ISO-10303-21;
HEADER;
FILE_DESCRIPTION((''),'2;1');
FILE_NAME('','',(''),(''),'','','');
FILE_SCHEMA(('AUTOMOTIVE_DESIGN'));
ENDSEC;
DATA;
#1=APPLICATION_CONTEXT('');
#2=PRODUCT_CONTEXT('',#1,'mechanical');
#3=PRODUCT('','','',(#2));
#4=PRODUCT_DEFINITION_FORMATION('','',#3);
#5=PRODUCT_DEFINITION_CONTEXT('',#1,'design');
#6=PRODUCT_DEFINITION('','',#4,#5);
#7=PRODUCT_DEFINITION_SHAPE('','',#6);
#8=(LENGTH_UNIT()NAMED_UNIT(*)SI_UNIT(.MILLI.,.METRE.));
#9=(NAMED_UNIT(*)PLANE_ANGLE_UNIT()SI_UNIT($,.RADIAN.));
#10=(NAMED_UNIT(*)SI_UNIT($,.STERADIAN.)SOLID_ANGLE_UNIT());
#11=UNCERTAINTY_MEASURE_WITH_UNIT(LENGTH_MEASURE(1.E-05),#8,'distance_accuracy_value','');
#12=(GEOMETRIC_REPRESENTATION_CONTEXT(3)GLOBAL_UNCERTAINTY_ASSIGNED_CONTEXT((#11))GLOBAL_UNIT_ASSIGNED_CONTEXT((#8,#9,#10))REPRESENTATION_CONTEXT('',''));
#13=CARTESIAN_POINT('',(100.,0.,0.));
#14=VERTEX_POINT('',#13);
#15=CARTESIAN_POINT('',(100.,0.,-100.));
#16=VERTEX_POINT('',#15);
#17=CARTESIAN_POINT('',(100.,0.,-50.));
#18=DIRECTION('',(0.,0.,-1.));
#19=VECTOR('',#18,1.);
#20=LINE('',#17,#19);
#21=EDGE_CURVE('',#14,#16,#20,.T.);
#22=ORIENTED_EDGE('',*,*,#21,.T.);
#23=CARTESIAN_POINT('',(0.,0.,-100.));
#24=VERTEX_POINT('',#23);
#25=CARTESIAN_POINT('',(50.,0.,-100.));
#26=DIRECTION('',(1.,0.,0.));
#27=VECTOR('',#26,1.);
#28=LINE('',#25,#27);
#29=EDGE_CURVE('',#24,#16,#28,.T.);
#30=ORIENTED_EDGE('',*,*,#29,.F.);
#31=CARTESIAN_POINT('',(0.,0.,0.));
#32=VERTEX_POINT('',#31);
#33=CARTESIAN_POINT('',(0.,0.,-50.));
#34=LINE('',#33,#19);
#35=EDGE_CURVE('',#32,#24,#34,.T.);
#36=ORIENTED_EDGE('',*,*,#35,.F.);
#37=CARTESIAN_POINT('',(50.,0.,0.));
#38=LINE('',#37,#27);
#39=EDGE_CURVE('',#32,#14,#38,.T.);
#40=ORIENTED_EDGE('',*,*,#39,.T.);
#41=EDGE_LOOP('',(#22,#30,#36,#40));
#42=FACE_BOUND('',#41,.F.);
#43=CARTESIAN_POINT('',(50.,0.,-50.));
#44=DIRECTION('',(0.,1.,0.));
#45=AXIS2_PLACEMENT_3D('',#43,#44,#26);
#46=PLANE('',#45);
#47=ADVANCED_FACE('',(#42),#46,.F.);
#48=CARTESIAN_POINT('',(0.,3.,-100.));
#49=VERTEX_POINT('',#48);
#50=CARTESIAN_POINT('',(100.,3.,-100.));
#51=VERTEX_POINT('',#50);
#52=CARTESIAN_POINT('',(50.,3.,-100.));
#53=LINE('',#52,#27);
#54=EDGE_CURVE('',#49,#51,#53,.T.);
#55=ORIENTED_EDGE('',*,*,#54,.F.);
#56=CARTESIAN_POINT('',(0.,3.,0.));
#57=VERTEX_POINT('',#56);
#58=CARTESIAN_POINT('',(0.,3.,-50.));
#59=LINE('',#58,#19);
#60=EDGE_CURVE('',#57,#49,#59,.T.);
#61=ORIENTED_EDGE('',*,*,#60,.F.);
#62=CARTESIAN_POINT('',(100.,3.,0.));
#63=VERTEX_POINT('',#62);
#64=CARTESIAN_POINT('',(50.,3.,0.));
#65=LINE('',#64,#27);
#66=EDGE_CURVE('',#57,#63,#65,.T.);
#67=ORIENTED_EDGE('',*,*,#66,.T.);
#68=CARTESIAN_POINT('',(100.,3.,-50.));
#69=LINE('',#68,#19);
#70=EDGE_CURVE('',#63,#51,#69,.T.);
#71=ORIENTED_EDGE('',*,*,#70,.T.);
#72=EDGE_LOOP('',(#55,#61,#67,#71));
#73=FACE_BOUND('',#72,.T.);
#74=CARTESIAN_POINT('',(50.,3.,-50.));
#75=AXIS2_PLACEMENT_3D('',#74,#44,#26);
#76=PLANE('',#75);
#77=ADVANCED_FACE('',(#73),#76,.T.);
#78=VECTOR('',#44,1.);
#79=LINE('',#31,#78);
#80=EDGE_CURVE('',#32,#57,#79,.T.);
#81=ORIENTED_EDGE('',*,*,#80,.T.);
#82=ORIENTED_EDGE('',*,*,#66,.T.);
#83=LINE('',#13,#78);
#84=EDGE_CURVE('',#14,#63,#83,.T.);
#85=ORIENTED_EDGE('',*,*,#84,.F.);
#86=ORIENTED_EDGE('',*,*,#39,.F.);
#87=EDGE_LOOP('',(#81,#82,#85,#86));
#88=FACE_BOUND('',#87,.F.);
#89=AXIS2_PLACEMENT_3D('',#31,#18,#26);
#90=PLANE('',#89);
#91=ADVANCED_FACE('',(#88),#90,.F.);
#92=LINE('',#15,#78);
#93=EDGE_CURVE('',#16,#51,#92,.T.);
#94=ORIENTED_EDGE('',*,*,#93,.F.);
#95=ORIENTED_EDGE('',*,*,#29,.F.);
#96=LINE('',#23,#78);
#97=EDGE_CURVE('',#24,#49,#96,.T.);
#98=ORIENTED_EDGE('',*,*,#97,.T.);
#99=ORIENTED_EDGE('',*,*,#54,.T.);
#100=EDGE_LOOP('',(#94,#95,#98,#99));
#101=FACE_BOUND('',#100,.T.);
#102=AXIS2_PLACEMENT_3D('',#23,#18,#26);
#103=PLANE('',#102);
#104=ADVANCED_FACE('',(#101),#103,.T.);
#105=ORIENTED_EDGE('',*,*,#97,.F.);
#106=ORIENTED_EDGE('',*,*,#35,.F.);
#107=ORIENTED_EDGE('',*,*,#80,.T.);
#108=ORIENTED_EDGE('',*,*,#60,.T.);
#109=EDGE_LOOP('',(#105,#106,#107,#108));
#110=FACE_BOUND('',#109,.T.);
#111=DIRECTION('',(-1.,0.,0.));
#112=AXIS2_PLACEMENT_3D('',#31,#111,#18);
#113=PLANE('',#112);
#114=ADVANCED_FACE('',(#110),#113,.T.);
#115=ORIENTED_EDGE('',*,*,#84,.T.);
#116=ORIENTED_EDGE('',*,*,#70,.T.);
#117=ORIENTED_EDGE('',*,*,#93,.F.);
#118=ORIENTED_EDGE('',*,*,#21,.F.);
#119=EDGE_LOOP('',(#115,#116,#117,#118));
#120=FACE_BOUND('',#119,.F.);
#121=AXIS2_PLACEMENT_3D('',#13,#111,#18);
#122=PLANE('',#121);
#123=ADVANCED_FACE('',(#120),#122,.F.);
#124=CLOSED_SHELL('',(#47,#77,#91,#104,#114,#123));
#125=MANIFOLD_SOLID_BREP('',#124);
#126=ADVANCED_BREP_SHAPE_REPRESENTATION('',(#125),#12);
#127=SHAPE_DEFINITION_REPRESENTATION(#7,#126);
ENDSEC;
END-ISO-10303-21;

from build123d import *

# Parameters (mm, degrees)
ESQUISSE1_W        = 100
ESQUISSE1_H        = 100
BOSS_EXTRU_1_DEPTH = 3


with BuildPart() as part:
    # Esquisse1 → Boss.-Extru.1 (new body)
    with BuildSketch(Plane(origin=(0, 0, 0), x_dir=(1, 0, 0), z_dir=(0, 1, 0))):
        with Locations((50, 50)):
            Rectangle(ESQUISSE1_W, ESQUISSE1_H)
    extrude(amount=BOSS_EXTRU_1_DEPTH)


solid = part.part
